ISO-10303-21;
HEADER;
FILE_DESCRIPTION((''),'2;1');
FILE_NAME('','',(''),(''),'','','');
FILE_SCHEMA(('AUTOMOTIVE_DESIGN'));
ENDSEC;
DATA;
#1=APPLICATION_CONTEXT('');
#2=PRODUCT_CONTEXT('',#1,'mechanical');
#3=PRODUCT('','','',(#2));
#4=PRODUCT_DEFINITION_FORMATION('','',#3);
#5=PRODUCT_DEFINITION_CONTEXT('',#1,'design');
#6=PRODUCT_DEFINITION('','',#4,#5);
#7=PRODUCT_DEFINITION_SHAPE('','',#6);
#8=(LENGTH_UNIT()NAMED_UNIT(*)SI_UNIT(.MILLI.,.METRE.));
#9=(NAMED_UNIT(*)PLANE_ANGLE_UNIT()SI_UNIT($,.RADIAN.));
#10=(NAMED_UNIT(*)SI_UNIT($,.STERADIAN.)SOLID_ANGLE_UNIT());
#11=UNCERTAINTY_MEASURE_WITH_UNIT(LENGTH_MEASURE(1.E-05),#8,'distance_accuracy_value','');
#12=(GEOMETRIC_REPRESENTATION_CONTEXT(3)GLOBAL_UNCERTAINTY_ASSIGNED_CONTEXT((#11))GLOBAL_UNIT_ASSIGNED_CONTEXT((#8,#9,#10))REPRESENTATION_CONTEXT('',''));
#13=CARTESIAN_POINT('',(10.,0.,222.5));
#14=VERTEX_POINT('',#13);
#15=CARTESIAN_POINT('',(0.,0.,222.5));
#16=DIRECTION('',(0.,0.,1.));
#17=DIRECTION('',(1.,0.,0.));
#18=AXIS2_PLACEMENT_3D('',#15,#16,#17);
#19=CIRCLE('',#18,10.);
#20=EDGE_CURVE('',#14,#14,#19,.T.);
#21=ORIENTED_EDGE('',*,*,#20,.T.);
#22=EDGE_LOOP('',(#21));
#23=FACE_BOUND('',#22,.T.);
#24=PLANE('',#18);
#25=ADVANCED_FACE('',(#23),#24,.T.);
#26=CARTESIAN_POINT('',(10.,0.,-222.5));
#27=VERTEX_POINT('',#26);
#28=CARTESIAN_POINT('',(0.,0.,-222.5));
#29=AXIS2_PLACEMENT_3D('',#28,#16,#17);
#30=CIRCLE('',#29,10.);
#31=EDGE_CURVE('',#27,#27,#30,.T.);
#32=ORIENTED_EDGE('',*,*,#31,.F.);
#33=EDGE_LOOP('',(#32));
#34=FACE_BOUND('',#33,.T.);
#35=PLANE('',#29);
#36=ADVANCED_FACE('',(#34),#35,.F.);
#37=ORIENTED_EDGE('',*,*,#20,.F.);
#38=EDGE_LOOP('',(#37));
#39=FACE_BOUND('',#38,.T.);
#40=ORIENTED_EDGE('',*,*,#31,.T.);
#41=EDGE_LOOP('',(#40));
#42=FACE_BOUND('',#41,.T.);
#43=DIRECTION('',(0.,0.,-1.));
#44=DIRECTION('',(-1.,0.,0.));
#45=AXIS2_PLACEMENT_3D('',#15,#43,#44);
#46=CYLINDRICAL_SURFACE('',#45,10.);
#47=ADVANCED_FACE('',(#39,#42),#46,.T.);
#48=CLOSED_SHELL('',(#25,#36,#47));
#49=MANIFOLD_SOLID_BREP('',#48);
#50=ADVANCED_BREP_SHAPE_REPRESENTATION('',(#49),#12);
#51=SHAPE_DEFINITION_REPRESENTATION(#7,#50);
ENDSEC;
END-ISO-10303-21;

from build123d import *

# Parameters (mm, degrees)
SKETCH1_R           = 10
BOSS_EXTRUDE1_DEPTH = 222.5


with BuildPart() as part:
    # Sketch1 → Boss-Extrude1 (new body, symmetric)
    with BuildSketch(Plane.XY):
        Circle(SKETCH1_R)
    extrude(amount=BOSS_EXTRUDE1_DEPTH, both=True)


solid = part.part
